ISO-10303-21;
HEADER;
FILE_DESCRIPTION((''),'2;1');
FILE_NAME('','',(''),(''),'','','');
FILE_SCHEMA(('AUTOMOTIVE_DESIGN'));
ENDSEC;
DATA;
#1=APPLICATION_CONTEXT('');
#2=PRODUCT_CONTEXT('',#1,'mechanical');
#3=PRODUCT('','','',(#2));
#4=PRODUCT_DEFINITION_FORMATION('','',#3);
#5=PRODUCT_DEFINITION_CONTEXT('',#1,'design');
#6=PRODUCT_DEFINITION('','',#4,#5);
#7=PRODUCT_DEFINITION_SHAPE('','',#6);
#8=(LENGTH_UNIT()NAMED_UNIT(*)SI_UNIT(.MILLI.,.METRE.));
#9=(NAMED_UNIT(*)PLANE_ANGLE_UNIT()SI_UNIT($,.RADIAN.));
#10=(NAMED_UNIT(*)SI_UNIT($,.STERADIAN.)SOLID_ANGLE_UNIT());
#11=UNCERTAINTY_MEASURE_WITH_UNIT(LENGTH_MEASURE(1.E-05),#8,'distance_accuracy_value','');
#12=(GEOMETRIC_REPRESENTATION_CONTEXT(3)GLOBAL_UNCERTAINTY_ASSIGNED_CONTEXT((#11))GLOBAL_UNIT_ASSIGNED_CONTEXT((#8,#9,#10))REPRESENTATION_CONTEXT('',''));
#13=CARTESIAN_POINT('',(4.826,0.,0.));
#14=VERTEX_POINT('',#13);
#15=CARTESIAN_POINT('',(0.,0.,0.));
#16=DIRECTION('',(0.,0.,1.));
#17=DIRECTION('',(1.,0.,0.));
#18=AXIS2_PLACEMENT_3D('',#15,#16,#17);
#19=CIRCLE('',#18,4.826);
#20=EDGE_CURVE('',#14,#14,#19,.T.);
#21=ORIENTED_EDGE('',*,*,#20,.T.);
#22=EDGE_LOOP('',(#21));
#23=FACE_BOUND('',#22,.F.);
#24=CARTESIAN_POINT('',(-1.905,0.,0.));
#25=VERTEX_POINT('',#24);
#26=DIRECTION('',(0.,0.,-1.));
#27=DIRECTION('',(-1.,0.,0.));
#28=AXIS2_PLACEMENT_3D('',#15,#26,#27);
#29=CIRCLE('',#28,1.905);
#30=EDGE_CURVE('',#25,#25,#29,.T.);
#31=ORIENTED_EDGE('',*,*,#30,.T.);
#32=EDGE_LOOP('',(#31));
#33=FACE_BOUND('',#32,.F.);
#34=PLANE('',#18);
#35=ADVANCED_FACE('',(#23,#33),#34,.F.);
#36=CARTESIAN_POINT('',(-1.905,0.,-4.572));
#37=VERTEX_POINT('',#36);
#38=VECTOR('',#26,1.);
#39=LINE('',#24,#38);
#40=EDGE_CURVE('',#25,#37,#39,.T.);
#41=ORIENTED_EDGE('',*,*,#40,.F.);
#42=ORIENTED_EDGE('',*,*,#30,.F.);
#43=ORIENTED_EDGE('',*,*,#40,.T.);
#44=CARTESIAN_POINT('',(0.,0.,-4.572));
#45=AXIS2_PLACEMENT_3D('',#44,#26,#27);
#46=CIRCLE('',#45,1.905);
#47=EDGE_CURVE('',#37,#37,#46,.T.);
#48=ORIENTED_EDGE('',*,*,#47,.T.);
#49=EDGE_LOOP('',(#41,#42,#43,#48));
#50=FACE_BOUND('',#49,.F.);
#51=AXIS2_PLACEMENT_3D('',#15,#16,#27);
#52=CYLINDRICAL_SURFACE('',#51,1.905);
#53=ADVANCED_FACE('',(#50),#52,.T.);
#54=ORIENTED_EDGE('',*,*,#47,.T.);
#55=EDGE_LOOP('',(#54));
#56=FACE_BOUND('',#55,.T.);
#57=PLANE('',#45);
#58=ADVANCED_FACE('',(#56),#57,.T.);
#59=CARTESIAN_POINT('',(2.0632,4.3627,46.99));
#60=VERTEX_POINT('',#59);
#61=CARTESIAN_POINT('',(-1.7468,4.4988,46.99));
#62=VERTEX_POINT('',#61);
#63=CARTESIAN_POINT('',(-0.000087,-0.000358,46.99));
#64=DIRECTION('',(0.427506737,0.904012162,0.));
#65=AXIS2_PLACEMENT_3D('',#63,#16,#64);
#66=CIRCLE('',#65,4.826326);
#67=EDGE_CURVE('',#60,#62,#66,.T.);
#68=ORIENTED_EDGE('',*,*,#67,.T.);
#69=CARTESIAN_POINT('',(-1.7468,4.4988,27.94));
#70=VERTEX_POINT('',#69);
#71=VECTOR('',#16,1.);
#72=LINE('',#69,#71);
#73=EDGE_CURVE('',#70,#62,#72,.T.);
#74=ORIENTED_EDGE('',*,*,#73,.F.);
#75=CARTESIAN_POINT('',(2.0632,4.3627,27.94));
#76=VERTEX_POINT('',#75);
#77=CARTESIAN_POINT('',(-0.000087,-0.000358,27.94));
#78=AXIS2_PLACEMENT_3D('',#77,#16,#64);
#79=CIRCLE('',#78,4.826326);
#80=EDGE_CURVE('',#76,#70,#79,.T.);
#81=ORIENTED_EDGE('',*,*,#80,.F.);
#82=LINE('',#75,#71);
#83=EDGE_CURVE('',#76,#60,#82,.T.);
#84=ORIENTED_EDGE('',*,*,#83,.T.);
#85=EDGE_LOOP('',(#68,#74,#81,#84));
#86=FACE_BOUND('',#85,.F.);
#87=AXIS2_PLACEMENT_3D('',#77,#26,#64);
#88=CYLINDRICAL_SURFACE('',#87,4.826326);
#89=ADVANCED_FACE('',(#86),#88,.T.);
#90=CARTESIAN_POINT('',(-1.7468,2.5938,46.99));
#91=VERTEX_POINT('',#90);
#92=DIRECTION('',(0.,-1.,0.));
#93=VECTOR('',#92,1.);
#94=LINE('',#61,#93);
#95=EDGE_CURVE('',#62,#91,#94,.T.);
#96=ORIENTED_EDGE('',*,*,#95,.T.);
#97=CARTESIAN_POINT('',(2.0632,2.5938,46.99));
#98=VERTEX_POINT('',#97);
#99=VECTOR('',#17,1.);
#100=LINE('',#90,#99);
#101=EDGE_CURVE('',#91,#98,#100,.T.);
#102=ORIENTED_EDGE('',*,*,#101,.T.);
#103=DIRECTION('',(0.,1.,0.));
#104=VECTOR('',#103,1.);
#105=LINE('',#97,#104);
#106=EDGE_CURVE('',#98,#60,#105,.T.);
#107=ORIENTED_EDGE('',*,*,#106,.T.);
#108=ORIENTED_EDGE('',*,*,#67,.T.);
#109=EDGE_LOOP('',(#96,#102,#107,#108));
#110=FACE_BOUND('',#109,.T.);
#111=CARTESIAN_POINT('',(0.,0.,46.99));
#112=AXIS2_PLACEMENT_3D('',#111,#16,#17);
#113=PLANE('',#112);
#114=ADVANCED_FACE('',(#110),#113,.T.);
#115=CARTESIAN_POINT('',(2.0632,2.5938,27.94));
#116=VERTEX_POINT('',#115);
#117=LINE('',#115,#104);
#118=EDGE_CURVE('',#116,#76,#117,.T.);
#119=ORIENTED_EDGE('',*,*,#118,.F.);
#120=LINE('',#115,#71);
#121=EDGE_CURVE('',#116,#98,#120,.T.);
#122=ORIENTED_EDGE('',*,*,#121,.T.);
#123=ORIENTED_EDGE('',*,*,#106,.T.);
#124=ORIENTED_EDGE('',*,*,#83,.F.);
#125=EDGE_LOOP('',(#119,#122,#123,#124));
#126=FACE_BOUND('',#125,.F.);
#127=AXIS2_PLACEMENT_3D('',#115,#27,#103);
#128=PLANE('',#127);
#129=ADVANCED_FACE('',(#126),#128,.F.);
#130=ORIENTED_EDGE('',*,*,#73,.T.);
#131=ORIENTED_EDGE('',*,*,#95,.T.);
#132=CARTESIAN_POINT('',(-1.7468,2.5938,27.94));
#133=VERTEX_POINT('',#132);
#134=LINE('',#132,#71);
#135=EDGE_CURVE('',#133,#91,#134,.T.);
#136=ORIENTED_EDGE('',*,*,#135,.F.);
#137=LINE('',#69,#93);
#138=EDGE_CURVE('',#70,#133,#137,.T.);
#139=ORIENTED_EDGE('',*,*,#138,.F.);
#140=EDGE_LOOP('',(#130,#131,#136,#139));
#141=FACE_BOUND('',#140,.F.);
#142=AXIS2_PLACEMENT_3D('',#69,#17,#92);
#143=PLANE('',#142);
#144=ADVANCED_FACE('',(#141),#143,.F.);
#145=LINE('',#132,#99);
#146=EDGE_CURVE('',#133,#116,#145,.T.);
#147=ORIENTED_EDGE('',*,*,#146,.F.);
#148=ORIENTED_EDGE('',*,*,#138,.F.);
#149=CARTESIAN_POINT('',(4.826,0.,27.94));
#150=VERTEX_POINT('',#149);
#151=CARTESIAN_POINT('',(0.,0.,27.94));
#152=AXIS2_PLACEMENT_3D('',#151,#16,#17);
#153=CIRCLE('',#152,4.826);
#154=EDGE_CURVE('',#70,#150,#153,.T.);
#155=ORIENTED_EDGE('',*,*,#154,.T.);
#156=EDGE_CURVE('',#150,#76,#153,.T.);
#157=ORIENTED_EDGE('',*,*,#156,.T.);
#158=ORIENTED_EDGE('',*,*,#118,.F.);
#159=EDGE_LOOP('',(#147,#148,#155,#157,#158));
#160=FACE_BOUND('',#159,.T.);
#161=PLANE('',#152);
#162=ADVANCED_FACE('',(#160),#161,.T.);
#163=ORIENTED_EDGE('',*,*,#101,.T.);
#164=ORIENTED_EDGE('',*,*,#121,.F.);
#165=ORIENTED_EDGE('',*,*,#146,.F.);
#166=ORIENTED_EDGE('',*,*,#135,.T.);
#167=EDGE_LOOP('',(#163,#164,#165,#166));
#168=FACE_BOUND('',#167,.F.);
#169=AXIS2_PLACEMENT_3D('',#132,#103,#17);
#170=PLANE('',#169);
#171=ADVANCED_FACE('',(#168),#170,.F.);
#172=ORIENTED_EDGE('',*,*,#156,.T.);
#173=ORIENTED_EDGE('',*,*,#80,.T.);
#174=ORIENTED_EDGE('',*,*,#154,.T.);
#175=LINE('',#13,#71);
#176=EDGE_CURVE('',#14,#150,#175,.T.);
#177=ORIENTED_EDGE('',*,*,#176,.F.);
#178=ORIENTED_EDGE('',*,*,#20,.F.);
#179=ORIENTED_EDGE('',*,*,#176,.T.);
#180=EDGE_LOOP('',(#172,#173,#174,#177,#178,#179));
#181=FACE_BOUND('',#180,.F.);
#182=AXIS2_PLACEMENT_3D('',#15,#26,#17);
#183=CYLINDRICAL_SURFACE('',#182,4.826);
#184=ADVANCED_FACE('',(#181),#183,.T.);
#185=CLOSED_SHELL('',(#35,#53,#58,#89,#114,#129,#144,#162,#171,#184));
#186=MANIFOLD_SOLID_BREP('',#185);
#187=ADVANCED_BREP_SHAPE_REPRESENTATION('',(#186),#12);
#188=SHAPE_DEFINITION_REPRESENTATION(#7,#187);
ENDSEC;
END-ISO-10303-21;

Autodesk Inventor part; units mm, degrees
ref_plane "YZ Plane" through (0, 0, 0) normal (1, 0, 0) x (0, 1, 0)
ref_plane "XZ Plane" through (0, 0, 0) normal (0, 1, 0) x (-1, 0, 0)
ref_plane "XY Plane" through (0, 0, 0) normal (0, 0, 1) x (1, 0, 0)
sketch "Sketch1" plane through (0, 0, 0) normal (0, 0, 1) x (1, 0, 0)
  circle A0 centre (0, 0) radius 4.826
  dimension "d7" = 9.652
extrude "Extrusion1" add sketch "Sketch1" along normal blind 27.94
sketch "Sketch2" plane through (0, 0, 27.94) normal (0, 0, 1) x (1, 0, 0)
  arc A0 (2.0632, 4.3627) -> (-1.7468, 4.4988) centre (0, 0) ccw
  circle A1 centre (0, 0) radius 4.826 projected
  line L0 (-1.7468, 4.4988) -> (-1.7468, 2.5938)
  line L1 (-1.7468, 2.5938) -> (2.0632, 2.5938)
  line L2 (2.0632, 2.5938) -> (2.0632, 4.3627)
  dimension "d8" = 3.81
  dimension "d9" = 1.905
extrude "Extrusion2" add sketch "Sketch2" along normal blind 19.05 contours L2 L1 L0 A0
sketch "Sketch3" plane through (0, 0, 0) normal (0, 0, -1) x (-1, 0, 0)
  circle A0 centre (0, 0) radius 1.905
  dimension "d6" = 3.81
extrude "Extrusion3" add sketch "Sketch3" along normal blind 4.572
properties part number "emcoder_coupler"
